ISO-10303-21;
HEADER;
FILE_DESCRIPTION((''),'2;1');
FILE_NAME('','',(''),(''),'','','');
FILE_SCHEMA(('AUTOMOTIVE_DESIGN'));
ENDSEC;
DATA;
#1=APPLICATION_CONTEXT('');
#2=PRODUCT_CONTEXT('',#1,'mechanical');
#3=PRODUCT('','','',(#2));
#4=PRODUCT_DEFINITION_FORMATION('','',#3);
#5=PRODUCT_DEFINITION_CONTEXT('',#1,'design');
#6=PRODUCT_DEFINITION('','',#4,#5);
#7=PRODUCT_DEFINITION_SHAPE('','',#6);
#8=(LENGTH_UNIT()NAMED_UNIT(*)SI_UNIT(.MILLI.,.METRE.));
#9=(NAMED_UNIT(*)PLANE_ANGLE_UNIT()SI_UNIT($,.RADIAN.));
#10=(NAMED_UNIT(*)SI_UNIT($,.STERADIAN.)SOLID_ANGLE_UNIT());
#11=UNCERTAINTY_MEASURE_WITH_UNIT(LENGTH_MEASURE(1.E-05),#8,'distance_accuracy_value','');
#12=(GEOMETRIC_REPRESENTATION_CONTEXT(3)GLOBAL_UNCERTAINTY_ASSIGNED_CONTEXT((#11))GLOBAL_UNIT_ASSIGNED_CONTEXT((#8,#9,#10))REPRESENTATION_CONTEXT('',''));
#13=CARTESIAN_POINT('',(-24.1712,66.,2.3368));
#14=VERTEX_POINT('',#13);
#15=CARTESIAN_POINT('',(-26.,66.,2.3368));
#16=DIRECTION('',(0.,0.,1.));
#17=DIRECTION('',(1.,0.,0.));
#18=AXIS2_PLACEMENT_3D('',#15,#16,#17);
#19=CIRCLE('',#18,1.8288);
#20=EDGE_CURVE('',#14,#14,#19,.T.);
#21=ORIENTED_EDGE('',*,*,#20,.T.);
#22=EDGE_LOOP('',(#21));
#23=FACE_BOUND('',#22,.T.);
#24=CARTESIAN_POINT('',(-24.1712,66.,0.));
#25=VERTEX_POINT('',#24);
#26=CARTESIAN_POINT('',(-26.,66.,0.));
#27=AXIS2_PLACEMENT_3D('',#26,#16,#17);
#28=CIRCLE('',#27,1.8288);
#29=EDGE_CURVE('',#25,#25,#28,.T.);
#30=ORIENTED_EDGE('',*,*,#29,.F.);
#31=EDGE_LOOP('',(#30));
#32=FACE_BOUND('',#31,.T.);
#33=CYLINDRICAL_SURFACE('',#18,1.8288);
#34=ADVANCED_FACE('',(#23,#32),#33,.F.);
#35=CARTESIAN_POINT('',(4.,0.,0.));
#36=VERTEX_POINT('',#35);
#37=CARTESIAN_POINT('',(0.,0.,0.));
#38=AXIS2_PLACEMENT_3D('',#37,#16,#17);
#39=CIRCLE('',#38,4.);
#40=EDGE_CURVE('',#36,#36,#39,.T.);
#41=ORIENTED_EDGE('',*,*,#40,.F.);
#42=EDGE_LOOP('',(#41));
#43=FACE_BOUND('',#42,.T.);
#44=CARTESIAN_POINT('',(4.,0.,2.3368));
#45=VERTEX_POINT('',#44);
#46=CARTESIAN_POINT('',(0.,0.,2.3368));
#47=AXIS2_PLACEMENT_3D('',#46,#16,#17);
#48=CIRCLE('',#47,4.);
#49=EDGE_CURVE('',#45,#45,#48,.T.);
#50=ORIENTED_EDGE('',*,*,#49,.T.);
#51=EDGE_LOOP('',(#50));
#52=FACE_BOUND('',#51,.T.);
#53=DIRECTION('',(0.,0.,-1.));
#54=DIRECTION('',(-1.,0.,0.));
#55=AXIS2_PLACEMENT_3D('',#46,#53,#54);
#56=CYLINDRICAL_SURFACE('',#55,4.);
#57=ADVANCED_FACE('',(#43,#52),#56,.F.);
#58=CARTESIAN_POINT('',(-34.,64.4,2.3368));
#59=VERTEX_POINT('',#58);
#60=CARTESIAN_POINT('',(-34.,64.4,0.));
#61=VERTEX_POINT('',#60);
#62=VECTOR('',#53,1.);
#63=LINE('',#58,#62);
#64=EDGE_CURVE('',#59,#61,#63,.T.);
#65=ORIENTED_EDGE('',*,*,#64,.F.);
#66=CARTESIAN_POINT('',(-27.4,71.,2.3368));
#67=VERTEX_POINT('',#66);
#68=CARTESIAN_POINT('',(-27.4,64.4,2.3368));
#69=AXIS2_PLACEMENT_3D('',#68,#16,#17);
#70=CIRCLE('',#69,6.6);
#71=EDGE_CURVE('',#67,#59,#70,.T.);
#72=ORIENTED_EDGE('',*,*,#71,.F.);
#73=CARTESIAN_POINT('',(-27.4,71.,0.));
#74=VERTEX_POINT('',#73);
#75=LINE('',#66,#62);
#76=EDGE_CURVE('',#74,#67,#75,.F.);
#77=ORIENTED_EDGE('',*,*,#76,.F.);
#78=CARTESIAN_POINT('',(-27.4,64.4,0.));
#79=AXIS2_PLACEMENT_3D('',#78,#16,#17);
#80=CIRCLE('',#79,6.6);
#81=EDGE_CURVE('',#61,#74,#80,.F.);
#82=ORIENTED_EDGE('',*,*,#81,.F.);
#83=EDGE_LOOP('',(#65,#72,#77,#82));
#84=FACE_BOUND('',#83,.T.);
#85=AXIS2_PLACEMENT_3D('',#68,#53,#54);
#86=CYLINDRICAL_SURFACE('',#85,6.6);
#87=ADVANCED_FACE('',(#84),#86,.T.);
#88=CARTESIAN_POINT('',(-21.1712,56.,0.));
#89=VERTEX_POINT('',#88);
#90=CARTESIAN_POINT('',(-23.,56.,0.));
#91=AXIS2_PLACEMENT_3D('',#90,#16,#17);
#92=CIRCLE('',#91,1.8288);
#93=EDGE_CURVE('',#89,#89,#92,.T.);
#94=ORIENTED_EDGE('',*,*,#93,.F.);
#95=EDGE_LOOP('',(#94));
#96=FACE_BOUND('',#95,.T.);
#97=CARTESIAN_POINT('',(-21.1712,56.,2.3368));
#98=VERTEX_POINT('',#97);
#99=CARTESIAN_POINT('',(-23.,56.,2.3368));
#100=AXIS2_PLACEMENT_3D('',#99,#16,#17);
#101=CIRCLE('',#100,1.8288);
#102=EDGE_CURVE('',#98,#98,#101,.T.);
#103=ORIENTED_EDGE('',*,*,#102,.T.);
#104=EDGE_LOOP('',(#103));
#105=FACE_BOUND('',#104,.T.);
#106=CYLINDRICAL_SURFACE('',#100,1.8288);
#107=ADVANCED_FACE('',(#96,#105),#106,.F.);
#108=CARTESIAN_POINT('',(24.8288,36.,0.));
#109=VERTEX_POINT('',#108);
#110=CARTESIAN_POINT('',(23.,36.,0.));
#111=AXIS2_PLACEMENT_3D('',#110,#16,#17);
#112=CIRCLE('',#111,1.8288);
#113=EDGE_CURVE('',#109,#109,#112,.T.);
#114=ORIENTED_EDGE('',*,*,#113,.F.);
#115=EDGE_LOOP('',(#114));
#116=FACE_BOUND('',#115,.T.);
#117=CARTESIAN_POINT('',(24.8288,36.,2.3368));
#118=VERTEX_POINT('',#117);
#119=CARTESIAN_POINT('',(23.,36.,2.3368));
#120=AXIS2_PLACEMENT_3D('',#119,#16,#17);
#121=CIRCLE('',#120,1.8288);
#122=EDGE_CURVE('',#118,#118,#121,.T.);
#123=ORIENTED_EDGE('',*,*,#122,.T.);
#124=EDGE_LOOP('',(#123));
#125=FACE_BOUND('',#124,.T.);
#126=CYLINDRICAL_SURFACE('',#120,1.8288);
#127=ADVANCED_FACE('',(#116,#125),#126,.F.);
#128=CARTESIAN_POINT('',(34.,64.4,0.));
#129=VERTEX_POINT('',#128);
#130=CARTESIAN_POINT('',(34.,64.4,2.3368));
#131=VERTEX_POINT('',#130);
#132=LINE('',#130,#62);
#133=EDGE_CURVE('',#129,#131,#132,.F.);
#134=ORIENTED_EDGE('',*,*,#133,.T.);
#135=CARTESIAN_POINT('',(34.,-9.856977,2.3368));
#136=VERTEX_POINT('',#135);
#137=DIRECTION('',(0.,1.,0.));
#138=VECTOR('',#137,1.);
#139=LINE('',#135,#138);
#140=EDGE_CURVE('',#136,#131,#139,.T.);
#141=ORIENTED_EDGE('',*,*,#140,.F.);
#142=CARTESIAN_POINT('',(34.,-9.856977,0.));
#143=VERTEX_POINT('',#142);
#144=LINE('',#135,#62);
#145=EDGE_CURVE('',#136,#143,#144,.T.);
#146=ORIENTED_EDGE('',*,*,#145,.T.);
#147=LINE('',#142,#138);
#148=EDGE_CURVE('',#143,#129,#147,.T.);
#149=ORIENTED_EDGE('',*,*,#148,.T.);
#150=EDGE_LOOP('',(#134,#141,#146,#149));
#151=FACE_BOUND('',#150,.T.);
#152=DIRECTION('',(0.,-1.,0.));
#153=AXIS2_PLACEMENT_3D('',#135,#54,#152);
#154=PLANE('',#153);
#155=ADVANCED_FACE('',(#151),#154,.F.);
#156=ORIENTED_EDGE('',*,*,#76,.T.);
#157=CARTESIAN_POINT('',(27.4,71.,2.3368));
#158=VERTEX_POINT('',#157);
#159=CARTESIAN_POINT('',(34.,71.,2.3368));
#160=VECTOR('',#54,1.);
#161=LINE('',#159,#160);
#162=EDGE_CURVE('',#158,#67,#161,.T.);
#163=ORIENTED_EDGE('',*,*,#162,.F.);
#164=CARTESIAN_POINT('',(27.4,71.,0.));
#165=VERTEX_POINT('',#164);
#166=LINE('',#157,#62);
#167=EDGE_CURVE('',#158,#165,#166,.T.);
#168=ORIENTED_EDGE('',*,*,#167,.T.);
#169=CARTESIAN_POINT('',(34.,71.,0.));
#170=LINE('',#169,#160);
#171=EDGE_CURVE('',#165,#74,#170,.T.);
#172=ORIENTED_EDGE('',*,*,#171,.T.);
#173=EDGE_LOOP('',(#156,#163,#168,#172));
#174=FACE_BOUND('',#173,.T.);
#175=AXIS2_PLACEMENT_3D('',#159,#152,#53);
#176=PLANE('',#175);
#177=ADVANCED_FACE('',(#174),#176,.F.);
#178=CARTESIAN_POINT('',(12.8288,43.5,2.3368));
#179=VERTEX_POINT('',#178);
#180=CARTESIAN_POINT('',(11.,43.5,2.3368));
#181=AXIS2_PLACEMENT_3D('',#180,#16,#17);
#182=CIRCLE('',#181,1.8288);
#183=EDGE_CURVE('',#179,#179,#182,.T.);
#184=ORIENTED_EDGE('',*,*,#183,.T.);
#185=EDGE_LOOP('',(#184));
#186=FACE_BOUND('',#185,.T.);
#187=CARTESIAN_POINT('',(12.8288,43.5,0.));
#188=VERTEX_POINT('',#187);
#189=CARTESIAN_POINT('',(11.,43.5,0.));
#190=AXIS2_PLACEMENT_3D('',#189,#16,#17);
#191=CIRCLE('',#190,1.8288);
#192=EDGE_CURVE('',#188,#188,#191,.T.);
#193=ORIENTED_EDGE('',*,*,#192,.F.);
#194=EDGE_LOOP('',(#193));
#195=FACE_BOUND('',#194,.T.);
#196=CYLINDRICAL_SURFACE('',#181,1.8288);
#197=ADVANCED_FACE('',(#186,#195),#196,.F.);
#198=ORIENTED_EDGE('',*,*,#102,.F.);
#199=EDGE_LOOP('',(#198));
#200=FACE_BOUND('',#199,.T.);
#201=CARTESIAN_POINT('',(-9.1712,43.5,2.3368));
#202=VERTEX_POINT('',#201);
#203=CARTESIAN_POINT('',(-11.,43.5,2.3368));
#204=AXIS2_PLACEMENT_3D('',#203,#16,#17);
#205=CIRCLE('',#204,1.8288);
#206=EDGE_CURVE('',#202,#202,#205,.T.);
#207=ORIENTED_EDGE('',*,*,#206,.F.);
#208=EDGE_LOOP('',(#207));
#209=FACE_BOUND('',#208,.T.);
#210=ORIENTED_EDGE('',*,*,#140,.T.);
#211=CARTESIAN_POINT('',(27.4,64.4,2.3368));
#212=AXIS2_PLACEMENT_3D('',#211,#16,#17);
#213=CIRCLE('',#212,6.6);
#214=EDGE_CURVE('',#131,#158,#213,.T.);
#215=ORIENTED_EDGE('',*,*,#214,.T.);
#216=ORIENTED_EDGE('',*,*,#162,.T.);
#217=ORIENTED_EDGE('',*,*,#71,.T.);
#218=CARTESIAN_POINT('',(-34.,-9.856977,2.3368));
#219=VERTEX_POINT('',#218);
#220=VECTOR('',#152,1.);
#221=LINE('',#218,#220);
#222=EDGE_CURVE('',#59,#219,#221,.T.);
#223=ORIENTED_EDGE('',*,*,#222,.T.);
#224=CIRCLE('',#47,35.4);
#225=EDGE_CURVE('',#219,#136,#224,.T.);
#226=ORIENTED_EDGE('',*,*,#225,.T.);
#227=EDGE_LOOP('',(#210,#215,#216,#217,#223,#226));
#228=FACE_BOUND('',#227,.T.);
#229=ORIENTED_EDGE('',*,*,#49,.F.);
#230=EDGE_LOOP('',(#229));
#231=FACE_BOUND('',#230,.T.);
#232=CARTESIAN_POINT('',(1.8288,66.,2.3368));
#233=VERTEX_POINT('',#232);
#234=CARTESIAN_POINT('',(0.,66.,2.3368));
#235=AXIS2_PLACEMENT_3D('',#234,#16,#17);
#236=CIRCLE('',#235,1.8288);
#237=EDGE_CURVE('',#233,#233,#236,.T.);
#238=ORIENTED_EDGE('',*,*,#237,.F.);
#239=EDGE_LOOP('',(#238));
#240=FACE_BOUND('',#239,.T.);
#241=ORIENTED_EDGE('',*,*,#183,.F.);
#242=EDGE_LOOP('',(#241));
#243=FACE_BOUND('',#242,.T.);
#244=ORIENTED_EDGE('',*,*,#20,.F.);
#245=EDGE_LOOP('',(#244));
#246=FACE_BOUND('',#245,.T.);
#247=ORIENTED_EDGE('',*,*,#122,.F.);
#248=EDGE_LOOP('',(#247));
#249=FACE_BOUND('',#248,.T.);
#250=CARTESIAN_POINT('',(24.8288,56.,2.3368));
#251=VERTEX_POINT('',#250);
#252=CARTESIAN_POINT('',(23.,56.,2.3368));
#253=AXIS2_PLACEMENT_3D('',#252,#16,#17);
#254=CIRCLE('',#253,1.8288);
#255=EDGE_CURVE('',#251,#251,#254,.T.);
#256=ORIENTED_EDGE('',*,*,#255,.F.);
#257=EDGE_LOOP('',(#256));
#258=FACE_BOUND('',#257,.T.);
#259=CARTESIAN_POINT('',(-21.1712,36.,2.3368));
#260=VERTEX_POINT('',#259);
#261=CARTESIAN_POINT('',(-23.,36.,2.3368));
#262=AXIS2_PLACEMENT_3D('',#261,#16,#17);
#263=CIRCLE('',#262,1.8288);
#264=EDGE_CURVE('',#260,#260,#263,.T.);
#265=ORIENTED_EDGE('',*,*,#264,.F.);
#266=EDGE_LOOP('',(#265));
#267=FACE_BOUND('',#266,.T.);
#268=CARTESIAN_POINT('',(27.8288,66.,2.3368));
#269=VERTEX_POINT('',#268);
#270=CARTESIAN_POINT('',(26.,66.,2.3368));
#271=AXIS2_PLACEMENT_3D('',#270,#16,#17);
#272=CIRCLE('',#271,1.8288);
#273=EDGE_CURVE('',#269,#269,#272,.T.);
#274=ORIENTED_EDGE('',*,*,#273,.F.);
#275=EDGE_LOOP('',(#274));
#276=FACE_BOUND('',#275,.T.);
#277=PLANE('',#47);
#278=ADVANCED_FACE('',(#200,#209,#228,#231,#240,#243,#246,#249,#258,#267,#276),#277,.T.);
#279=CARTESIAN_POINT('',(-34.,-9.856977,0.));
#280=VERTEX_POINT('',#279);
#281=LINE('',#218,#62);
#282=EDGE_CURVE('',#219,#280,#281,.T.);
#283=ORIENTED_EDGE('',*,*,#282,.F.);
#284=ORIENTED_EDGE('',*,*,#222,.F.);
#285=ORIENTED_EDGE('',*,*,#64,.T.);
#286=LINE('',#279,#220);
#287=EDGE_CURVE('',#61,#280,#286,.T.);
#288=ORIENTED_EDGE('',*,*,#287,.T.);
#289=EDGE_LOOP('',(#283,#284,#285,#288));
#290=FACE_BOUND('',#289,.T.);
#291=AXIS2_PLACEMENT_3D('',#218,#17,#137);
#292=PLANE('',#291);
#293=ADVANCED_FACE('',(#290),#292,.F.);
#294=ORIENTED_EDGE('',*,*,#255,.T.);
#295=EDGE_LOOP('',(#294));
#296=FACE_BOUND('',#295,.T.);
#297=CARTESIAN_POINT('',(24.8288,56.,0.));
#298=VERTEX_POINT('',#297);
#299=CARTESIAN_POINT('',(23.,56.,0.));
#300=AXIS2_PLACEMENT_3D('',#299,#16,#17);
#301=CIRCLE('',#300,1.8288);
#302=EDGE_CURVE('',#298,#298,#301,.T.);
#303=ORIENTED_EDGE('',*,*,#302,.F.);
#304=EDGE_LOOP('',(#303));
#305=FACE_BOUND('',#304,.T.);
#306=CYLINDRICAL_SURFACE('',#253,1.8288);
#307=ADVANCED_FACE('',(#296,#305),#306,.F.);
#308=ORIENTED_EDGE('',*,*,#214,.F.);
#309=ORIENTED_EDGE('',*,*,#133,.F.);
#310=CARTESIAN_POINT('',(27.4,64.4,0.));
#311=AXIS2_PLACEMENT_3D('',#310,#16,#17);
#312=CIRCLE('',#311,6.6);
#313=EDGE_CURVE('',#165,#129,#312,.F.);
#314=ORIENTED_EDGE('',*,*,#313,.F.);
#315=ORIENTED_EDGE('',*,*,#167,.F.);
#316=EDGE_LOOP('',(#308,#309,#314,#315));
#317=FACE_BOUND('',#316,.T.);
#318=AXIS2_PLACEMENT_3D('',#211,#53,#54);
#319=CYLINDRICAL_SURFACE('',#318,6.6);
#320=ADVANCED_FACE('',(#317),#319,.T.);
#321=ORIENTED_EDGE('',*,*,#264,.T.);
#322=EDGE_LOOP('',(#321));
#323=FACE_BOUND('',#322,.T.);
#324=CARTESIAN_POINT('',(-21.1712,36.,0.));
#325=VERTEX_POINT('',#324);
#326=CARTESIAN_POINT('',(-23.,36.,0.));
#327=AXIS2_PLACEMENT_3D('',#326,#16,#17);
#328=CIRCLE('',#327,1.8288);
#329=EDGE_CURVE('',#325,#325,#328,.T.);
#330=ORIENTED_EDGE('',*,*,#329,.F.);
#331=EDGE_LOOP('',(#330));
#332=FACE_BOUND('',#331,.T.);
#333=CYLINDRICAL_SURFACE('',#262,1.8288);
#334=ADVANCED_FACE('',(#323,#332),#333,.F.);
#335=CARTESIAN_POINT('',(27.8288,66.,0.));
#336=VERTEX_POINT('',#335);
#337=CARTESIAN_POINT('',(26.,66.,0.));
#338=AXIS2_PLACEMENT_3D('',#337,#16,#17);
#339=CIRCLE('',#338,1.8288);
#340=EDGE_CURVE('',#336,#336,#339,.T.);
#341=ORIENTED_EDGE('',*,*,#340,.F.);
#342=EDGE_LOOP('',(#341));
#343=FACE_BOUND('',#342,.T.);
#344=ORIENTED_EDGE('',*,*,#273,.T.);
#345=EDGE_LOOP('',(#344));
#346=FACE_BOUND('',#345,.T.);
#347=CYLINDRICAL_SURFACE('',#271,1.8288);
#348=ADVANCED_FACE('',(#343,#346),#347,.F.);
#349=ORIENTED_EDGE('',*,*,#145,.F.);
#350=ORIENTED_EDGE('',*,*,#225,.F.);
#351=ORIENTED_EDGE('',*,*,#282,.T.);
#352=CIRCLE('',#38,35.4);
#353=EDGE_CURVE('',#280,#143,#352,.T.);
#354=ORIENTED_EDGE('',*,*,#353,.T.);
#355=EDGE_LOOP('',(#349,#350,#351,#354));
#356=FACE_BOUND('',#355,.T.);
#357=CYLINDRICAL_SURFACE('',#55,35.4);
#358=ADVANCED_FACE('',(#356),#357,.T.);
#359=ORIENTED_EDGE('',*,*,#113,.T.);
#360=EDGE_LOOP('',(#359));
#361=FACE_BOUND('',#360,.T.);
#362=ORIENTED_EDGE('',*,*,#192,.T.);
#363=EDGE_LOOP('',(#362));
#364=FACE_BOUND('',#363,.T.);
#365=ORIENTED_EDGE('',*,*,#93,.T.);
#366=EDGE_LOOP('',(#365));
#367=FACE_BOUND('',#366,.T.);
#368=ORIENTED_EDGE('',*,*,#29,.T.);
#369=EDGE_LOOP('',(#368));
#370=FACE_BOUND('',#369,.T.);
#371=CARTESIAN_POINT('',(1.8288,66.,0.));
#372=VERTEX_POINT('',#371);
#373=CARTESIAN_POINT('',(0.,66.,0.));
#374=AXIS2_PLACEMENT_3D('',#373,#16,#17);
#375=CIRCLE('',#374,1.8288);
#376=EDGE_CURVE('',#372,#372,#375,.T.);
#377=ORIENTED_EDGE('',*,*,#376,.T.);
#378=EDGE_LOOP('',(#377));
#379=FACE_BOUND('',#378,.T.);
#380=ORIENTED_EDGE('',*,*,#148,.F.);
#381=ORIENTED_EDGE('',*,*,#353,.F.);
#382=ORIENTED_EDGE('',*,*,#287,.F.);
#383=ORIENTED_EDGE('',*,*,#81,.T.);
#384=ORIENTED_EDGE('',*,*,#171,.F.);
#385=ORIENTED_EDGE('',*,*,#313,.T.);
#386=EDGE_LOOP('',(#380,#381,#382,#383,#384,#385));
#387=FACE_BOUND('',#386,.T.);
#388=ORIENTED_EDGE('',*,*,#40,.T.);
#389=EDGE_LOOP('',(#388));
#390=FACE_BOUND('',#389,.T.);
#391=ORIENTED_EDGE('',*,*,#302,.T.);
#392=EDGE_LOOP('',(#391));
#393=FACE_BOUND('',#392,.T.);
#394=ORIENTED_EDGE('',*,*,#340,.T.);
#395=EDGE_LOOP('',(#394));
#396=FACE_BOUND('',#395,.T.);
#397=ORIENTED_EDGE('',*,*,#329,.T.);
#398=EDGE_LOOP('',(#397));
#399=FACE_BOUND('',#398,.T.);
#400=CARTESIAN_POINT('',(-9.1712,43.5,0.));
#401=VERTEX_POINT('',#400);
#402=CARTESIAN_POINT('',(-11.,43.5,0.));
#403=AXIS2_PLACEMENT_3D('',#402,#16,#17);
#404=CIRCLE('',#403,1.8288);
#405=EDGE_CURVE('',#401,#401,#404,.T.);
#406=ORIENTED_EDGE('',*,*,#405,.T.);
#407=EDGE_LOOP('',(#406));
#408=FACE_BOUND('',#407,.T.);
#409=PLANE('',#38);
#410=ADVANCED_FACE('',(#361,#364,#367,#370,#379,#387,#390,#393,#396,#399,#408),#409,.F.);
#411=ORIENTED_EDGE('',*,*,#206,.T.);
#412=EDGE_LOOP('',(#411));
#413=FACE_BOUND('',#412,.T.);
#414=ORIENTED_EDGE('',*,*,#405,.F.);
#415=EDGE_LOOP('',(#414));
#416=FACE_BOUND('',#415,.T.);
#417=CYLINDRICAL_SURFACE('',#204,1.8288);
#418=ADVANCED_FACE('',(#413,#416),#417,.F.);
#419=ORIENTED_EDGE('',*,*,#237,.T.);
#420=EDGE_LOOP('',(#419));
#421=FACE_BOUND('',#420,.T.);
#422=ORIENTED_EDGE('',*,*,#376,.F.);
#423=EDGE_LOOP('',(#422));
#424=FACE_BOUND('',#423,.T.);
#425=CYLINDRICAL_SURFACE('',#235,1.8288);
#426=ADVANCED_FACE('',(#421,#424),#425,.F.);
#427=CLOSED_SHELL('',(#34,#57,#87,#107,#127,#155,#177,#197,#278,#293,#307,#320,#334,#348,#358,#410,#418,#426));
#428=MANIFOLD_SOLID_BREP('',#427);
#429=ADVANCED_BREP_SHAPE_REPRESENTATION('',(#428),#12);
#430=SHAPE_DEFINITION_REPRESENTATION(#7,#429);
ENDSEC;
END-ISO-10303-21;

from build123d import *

# Parameters (mm, degrees)
SKETCH1_R             = 4
BOSS_EXTRUDE1_DEPTH   = 2.3368
F_6_CLEARANCE_HOLE1_D = 3.6576
FILLET1_R             = 6.6


with BuildPart() as part:
    # Sketch1 → Boss-Extrude1 (new body)
    with BuildSketch(Plane.XY):
        with BuildLine():
            Line((34, 71), (-34, 71))
            Line((-34, 71), (-34, -9.856977224))
            ThreePointArc((-34, -9.856977224), (0, -35.4), (34, -9.856977224))
            Line((34, -9.856977224), (34, 71))
        make_face()
        Circle(SKETCH1_R, mode=Mode.SUBTRACT)
    extrude(amount=BOSS_EXTRUDE1_DEPTH)

    # #6 Clearance Hole1 (through all)
    with Locations(Plane.XY.offset(2.3368)):
        with Locations((0, 66), (11, 43.5), (23, 36), (23, 56), (26, 66), (-23, 36), (-11, 43.5), (-23, 56), (-26, 66)):
            Hole(F_6_CLEARANCE_HOLE1_D / 2)

    # Fillet1
    fillet1_edges = [part.edges().sort_by_distance(p)[0] for p in [
        (-34, 71, 1.1684),
        (34, 71, 1.1684),
    ]]
    fillet(fillet1_edges, radius=FILLET1_R)


solid = part.part
